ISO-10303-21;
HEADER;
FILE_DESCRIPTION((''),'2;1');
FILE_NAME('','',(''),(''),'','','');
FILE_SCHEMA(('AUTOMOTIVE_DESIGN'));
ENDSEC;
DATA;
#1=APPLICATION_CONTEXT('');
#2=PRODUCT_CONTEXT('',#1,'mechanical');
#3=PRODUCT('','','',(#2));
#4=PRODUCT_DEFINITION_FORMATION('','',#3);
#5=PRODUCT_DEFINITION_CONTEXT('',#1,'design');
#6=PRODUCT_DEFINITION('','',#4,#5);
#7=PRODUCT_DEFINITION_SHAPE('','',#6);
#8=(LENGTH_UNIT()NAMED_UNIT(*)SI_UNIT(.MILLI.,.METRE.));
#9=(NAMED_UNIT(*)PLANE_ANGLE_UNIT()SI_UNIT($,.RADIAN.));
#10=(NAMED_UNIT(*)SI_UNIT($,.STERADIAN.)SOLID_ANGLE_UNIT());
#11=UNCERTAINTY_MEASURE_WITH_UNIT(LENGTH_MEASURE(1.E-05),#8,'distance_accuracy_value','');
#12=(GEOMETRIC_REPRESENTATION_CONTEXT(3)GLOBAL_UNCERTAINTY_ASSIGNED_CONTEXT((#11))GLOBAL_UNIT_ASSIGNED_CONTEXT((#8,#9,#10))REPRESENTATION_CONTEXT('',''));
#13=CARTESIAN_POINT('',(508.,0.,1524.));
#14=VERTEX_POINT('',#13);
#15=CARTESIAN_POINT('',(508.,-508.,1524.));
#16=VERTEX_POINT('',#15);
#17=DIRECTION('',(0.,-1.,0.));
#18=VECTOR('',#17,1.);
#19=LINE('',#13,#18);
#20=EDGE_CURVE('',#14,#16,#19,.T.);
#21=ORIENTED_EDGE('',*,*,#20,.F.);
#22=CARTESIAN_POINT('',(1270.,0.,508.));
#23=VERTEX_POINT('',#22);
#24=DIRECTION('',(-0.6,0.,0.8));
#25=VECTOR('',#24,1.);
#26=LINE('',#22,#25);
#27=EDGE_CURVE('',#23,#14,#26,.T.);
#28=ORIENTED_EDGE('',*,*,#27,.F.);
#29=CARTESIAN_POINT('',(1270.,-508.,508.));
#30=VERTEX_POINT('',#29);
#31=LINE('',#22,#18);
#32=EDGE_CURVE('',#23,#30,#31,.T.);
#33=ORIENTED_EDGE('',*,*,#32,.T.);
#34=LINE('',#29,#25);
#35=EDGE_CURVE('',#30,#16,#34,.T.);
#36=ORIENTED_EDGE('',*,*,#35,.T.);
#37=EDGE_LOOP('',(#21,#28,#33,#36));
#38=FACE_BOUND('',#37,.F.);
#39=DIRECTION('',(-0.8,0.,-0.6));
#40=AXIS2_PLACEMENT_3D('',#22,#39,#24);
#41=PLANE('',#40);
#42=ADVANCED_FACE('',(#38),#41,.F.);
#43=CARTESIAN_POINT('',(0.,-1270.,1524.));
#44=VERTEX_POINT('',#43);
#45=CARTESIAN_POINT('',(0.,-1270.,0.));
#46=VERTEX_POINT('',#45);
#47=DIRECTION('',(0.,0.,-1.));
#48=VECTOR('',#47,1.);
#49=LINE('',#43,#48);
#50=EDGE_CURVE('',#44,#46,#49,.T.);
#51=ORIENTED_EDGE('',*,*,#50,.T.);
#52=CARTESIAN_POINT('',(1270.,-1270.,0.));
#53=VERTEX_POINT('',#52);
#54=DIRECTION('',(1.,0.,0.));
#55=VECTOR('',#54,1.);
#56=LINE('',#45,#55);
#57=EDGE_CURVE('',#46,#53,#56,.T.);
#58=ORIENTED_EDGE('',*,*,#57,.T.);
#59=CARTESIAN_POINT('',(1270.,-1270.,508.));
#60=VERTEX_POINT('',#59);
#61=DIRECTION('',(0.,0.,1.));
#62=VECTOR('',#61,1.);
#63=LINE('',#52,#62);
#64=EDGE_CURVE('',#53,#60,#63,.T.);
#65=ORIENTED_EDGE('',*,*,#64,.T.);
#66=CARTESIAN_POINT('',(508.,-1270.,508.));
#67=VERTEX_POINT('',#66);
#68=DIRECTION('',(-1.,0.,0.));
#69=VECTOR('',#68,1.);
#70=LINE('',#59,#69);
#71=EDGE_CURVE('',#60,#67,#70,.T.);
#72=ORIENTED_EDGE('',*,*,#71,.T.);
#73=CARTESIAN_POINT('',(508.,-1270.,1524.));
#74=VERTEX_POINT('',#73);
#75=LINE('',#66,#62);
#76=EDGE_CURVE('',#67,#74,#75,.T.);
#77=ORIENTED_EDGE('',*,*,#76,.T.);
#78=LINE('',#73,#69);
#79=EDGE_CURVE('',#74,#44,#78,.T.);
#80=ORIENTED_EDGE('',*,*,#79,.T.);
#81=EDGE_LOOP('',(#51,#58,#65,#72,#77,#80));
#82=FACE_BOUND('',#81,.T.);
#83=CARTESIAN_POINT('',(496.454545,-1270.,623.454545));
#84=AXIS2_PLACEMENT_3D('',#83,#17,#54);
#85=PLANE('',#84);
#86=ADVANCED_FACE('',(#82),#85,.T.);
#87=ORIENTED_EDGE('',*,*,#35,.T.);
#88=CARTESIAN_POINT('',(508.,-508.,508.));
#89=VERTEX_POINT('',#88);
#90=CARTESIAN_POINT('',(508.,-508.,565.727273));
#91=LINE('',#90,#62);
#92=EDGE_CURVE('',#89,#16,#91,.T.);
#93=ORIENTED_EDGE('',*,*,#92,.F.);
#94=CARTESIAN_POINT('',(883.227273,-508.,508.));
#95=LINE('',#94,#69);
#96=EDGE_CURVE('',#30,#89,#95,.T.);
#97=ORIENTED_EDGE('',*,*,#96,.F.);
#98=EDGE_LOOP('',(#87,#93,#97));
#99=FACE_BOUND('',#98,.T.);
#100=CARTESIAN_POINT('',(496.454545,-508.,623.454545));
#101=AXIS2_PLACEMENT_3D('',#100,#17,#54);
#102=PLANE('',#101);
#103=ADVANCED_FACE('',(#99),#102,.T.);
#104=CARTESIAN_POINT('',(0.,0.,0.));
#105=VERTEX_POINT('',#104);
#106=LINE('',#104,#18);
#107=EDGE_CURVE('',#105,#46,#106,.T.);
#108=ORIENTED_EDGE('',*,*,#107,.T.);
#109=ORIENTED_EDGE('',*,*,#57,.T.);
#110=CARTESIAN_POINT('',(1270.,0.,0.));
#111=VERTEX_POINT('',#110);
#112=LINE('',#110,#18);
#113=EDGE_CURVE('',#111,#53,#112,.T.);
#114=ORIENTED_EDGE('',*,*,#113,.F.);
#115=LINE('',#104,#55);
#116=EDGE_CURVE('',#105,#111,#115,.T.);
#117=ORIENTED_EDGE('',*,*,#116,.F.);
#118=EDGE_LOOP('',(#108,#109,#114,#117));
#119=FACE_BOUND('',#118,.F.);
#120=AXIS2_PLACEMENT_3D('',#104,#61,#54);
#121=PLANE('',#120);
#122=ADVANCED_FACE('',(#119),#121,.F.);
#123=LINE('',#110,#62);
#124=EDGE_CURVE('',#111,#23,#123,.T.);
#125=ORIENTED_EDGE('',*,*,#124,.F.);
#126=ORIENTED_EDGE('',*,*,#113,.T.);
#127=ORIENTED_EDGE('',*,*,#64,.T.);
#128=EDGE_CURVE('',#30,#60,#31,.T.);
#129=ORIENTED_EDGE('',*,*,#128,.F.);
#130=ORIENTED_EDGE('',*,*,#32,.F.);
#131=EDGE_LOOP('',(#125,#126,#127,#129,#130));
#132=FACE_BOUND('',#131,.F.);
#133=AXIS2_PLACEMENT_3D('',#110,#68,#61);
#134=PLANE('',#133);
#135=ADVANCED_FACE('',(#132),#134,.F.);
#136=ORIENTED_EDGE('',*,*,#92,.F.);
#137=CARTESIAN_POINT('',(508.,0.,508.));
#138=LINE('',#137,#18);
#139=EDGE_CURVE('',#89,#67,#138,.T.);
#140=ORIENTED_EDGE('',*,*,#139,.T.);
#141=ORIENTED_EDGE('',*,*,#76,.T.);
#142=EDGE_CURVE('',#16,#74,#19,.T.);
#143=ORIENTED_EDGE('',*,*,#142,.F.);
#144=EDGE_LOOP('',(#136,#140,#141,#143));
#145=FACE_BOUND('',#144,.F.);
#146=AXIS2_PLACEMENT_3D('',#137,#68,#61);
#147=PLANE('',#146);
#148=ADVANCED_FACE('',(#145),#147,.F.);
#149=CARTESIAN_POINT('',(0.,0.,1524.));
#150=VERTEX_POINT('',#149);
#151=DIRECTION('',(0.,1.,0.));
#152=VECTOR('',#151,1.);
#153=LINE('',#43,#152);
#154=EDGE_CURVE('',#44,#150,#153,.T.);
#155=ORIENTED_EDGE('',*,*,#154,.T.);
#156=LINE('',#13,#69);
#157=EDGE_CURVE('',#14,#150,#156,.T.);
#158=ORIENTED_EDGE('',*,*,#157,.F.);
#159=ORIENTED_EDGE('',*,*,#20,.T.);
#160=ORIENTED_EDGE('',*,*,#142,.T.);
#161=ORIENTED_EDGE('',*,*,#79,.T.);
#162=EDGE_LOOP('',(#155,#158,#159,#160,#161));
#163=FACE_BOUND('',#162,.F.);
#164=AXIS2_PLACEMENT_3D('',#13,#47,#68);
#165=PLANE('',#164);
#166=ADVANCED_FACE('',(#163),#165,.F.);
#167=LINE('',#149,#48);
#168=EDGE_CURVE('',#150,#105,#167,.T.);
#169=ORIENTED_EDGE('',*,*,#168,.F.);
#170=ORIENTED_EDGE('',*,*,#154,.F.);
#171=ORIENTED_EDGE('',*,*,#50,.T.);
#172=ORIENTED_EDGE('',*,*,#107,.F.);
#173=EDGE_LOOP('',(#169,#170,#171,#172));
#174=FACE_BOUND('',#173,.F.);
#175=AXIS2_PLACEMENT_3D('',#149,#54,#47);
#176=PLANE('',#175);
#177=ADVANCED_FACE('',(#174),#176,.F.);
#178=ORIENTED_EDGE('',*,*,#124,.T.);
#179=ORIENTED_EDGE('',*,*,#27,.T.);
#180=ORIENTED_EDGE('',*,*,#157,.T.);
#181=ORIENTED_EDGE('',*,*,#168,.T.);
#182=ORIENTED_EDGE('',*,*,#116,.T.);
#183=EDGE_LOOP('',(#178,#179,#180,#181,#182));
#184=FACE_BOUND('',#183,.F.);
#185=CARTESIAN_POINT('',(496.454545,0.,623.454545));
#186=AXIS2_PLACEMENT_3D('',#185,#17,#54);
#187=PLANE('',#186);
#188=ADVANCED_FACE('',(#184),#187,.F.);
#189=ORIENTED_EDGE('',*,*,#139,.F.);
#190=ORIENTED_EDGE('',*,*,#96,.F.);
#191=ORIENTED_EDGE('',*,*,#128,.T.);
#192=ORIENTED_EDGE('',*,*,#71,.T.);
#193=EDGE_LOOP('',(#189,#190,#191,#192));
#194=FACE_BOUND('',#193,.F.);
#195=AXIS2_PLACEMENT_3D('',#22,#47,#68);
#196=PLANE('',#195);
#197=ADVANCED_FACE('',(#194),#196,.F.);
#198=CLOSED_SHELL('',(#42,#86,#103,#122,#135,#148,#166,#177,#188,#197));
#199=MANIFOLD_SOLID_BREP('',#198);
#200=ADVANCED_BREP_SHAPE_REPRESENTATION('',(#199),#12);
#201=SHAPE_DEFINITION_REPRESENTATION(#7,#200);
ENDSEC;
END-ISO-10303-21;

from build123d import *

# Parameters (mm, degrees)
F1_DEPTH = 1270
F2_DEPTH = 508


with BuildPart() as f1:
    # F0 (on Front) → F1 (new body)
    with BuildSketch(Plane.XZ):
        Polygon((0, 1524), (0, 0), (1270, 0), (1270, 508), (508, 508), (508, 1524), align=None)
    extrude(amount=F1_DEPTH)

    # F0 (on Front) → F2 (join)
    with BuildSketch(Plane.XZ):
        Polygon((0, 1524), (0, 0), (1270, 0), (1270, 508), (508, 508), (508, 1524), align=None)
        Polygon((508, 508), (1270, 508), (508, 1524), align=None)
    extrude(amount=F2_DEPTH)


solid = f1.part
